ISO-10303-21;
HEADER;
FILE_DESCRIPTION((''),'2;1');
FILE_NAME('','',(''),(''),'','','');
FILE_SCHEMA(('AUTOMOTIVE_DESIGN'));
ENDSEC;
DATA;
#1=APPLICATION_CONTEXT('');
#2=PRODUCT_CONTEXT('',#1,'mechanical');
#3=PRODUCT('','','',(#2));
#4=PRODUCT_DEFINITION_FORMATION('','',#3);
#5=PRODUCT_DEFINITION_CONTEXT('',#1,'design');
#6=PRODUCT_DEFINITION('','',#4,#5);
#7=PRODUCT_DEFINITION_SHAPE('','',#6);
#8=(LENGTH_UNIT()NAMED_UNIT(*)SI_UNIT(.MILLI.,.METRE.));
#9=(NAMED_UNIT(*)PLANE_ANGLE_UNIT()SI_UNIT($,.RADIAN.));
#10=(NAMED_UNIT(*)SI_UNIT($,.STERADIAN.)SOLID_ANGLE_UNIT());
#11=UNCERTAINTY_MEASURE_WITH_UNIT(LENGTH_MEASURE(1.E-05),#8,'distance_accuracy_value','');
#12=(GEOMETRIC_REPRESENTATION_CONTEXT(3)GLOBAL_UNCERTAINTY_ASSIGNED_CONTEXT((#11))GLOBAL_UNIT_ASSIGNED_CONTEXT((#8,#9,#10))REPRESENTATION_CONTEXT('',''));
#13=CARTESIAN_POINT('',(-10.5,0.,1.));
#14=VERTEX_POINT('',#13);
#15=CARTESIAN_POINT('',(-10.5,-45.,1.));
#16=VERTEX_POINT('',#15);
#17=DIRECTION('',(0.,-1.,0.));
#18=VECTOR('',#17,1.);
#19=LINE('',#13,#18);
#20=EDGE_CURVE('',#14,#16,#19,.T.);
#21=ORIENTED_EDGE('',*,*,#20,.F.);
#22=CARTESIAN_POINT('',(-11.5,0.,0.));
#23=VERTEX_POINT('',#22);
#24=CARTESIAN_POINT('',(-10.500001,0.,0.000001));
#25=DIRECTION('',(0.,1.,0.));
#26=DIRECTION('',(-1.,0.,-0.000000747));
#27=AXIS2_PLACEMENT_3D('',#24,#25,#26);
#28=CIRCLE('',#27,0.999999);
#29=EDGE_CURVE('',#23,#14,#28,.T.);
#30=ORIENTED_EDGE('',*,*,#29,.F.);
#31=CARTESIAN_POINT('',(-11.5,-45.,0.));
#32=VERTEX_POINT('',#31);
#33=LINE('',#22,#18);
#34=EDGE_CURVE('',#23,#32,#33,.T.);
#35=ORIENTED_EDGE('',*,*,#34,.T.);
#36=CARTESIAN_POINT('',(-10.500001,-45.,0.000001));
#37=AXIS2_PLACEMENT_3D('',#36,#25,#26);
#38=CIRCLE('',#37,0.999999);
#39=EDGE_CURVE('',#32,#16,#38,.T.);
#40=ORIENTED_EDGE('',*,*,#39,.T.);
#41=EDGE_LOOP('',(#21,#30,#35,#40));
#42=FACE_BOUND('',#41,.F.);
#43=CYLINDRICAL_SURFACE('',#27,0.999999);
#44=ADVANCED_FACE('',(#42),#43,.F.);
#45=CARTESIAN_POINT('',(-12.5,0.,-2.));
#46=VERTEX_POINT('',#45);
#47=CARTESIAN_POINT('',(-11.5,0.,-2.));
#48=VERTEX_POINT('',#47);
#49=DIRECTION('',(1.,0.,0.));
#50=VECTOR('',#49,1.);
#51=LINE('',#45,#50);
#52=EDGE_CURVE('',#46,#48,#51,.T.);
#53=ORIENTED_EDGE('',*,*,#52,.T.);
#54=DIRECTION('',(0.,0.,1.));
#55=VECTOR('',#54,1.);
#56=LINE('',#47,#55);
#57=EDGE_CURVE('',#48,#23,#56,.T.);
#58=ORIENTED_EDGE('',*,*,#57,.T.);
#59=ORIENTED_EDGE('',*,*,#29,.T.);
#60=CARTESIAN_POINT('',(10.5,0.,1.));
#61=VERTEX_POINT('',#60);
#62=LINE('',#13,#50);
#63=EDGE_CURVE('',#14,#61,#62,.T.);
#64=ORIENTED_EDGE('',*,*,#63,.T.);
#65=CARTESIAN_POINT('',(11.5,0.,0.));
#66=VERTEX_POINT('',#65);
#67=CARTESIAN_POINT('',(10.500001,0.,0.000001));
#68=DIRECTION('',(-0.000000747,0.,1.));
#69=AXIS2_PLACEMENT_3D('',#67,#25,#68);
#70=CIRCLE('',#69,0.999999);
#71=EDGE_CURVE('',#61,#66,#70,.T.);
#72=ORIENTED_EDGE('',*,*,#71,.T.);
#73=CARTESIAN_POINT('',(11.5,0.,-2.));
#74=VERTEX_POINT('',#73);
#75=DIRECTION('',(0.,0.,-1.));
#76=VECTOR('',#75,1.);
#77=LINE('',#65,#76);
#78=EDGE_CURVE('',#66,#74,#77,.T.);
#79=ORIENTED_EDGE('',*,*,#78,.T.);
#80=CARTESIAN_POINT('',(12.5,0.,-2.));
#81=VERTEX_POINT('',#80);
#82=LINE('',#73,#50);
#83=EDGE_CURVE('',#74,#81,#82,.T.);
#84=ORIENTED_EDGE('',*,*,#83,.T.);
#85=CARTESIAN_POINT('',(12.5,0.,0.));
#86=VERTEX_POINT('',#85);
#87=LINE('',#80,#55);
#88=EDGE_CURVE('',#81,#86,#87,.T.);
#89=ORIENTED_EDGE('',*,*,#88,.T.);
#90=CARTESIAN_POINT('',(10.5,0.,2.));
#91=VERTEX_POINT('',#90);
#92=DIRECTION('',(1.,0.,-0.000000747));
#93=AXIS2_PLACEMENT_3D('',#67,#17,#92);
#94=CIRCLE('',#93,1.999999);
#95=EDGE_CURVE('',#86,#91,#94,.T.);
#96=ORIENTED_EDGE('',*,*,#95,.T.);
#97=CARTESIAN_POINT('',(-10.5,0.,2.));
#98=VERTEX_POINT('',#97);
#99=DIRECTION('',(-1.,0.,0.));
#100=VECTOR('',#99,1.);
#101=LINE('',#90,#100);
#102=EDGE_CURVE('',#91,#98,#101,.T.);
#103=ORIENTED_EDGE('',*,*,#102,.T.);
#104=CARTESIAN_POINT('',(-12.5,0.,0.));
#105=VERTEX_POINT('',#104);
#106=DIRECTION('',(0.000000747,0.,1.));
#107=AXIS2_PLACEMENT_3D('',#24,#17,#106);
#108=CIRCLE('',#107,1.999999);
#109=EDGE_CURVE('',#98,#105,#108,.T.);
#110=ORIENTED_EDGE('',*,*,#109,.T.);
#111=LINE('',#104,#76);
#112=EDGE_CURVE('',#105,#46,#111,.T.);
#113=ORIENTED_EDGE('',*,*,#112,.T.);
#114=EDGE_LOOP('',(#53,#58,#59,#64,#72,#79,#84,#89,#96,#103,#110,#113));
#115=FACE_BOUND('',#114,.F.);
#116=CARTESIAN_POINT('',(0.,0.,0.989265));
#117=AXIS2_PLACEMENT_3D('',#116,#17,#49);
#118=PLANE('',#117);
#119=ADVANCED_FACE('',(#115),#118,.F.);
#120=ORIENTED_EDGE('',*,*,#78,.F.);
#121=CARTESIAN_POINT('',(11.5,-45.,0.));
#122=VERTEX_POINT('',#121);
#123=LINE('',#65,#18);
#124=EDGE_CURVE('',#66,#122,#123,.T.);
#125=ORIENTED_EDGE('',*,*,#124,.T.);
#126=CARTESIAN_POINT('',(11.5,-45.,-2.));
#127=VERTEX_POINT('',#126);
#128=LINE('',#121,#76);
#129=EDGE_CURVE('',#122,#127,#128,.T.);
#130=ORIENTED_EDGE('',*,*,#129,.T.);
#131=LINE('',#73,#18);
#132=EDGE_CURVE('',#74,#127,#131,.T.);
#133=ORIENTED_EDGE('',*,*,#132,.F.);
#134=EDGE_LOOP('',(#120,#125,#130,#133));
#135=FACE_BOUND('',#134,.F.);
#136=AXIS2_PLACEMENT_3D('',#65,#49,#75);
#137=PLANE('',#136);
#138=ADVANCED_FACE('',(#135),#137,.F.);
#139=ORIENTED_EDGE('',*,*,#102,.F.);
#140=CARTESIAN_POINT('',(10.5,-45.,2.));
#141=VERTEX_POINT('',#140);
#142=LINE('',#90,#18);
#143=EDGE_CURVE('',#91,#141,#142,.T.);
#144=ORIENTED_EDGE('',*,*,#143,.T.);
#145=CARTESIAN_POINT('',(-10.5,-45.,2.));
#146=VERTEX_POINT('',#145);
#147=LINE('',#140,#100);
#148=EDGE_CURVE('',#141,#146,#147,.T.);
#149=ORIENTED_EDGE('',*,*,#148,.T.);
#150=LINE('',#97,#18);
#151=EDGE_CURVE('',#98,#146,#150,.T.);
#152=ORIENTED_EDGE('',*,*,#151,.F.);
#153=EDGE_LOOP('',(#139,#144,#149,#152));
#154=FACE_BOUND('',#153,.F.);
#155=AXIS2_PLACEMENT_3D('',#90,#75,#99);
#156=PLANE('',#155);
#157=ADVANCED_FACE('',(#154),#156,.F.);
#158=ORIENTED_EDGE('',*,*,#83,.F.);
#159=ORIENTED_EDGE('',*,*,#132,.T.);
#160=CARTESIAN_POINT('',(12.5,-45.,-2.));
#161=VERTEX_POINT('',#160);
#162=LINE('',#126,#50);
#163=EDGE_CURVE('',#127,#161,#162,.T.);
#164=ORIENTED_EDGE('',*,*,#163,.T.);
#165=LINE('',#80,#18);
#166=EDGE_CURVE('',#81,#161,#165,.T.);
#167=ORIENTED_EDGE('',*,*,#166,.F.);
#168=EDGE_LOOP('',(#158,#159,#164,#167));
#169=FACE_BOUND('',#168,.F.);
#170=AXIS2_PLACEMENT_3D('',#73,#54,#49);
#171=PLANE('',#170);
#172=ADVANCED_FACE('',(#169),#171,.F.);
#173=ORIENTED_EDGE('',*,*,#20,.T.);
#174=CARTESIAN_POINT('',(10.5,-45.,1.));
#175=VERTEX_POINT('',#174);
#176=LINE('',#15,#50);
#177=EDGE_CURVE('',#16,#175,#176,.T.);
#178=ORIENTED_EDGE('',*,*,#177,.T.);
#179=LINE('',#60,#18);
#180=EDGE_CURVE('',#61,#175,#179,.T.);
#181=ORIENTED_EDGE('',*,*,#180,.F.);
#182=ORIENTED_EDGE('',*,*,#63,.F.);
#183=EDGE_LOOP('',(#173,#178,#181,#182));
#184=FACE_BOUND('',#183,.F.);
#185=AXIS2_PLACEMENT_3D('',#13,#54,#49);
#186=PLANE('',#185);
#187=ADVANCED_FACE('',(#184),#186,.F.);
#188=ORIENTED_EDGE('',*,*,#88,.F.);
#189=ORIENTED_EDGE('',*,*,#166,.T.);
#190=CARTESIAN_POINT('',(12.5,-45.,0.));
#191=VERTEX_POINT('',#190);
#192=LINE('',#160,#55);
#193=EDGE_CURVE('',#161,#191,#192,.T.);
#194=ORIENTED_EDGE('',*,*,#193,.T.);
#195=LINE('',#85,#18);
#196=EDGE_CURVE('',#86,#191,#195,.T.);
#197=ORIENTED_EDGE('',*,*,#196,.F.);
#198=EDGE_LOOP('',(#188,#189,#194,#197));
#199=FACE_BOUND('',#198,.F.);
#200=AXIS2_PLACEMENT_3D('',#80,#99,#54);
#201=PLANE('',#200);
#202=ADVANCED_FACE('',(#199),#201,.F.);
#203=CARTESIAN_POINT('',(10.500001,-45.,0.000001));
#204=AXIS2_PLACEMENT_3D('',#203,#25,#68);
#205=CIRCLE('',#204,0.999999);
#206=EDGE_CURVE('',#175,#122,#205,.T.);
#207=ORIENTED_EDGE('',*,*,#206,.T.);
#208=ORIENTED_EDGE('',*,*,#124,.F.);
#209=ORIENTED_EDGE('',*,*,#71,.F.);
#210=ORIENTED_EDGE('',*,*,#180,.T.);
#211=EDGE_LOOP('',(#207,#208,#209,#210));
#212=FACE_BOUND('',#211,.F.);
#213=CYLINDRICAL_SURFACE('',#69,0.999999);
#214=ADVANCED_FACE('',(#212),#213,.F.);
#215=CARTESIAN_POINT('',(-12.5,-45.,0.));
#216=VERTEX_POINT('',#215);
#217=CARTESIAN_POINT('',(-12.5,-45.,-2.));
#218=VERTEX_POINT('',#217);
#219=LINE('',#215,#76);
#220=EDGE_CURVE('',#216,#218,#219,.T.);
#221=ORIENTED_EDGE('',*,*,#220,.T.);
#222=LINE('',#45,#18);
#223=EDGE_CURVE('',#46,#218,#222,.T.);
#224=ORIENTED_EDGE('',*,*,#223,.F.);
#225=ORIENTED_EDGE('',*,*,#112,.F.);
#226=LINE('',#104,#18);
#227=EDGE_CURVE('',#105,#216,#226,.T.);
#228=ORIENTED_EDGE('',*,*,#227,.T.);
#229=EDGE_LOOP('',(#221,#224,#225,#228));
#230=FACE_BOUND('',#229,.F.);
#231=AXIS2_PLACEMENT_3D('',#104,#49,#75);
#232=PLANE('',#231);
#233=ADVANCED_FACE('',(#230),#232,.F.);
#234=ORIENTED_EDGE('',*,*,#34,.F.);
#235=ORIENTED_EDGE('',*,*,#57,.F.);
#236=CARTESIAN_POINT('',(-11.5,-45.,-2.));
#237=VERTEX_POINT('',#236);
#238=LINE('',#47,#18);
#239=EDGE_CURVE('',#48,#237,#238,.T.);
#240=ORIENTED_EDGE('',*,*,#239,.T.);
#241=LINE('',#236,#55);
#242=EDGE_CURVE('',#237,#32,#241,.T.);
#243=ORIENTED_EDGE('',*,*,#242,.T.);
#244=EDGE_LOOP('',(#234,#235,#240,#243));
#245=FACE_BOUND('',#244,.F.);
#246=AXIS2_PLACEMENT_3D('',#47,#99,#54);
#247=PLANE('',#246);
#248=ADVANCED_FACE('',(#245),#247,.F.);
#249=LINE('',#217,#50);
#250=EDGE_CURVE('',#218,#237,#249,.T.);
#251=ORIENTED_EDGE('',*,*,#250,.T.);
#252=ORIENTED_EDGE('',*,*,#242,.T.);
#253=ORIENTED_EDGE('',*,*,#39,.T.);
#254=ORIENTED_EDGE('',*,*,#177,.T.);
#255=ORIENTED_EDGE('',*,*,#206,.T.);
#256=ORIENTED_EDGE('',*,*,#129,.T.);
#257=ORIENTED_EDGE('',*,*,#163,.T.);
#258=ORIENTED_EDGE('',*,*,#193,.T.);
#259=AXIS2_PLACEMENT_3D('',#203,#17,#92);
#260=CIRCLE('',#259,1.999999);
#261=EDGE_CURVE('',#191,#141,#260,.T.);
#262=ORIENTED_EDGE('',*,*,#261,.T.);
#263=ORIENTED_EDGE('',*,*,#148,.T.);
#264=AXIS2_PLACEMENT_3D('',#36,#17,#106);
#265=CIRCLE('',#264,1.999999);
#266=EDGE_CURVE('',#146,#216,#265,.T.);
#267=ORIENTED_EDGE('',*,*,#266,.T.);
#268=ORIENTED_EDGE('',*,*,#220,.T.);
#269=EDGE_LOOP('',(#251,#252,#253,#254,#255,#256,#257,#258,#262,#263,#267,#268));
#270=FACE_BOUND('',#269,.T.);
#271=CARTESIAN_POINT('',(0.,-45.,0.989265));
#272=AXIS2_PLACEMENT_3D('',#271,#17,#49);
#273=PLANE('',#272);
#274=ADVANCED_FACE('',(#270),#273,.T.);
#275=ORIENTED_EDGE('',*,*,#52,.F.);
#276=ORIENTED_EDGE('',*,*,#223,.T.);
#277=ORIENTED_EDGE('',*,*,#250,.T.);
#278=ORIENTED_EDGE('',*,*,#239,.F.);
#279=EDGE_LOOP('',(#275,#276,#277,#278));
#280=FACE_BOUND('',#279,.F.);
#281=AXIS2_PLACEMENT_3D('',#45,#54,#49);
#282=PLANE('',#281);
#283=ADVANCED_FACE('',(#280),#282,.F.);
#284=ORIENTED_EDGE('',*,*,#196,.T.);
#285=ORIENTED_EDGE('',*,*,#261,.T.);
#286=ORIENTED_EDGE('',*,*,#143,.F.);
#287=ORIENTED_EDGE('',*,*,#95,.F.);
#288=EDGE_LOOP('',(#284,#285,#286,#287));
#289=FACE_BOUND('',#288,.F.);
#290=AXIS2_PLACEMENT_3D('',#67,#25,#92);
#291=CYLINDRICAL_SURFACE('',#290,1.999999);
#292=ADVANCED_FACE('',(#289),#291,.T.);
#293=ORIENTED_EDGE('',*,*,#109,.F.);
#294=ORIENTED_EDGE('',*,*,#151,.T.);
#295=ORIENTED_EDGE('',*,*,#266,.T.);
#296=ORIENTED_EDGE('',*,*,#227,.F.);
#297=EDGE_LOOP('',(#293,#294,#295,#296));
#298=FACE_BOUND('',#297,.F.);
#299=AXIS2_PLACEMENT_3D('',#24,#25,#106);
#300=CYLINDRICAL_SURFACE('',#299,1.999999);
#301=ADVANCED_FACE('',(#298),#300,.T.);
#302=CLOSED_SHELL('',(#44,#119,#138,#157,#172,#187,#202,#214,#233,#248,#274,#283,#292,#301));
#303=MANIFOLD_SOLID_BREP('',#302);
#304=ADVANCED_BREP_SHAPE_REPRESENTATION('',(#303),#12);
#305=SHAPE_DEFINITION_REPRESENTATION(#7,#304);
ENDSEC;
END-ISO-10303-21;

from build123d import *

# Parameters (mm, degrees)
F1_DEPTH = 45


with BuildPart() as f1:
    # F0 (on Front) → F1 (new body)
    with BuildSketch(Plane.XZ):
        with BuildLine():
            ThreePointArc((12.5, 0), (11.914214, 1.414214), (10.5, 2))
            Line((10.5, 2), (-10.5, 2))
            ThreePointArc((-10.5, 2), (-11.914214, 1.414214), (-12.5, 0))
            Line((-12.5, 0), (-12.5, -2))
            Line((-12.5, -2), (-11.5, -2))
            Line((-11.5, -2), (-11.5, 0))
            ThreePointArc((-11.5, 0), (-11.207107, 0.707107), (-10.5, 1))
            Line((-10.5, 1), (10.5, 1))
            ThreePointArc((10.5, 1), (11.207107, 0.707107), (11.5, 0))
            Line((11.5, 0), (11.5, -2))
            Line((11.5, -2), (12.5, -2))
            Line((12.5, -2), (12.5, 0))
        make_face()
    extrude(amount=F1_DEPTH)


solid = f1.part
